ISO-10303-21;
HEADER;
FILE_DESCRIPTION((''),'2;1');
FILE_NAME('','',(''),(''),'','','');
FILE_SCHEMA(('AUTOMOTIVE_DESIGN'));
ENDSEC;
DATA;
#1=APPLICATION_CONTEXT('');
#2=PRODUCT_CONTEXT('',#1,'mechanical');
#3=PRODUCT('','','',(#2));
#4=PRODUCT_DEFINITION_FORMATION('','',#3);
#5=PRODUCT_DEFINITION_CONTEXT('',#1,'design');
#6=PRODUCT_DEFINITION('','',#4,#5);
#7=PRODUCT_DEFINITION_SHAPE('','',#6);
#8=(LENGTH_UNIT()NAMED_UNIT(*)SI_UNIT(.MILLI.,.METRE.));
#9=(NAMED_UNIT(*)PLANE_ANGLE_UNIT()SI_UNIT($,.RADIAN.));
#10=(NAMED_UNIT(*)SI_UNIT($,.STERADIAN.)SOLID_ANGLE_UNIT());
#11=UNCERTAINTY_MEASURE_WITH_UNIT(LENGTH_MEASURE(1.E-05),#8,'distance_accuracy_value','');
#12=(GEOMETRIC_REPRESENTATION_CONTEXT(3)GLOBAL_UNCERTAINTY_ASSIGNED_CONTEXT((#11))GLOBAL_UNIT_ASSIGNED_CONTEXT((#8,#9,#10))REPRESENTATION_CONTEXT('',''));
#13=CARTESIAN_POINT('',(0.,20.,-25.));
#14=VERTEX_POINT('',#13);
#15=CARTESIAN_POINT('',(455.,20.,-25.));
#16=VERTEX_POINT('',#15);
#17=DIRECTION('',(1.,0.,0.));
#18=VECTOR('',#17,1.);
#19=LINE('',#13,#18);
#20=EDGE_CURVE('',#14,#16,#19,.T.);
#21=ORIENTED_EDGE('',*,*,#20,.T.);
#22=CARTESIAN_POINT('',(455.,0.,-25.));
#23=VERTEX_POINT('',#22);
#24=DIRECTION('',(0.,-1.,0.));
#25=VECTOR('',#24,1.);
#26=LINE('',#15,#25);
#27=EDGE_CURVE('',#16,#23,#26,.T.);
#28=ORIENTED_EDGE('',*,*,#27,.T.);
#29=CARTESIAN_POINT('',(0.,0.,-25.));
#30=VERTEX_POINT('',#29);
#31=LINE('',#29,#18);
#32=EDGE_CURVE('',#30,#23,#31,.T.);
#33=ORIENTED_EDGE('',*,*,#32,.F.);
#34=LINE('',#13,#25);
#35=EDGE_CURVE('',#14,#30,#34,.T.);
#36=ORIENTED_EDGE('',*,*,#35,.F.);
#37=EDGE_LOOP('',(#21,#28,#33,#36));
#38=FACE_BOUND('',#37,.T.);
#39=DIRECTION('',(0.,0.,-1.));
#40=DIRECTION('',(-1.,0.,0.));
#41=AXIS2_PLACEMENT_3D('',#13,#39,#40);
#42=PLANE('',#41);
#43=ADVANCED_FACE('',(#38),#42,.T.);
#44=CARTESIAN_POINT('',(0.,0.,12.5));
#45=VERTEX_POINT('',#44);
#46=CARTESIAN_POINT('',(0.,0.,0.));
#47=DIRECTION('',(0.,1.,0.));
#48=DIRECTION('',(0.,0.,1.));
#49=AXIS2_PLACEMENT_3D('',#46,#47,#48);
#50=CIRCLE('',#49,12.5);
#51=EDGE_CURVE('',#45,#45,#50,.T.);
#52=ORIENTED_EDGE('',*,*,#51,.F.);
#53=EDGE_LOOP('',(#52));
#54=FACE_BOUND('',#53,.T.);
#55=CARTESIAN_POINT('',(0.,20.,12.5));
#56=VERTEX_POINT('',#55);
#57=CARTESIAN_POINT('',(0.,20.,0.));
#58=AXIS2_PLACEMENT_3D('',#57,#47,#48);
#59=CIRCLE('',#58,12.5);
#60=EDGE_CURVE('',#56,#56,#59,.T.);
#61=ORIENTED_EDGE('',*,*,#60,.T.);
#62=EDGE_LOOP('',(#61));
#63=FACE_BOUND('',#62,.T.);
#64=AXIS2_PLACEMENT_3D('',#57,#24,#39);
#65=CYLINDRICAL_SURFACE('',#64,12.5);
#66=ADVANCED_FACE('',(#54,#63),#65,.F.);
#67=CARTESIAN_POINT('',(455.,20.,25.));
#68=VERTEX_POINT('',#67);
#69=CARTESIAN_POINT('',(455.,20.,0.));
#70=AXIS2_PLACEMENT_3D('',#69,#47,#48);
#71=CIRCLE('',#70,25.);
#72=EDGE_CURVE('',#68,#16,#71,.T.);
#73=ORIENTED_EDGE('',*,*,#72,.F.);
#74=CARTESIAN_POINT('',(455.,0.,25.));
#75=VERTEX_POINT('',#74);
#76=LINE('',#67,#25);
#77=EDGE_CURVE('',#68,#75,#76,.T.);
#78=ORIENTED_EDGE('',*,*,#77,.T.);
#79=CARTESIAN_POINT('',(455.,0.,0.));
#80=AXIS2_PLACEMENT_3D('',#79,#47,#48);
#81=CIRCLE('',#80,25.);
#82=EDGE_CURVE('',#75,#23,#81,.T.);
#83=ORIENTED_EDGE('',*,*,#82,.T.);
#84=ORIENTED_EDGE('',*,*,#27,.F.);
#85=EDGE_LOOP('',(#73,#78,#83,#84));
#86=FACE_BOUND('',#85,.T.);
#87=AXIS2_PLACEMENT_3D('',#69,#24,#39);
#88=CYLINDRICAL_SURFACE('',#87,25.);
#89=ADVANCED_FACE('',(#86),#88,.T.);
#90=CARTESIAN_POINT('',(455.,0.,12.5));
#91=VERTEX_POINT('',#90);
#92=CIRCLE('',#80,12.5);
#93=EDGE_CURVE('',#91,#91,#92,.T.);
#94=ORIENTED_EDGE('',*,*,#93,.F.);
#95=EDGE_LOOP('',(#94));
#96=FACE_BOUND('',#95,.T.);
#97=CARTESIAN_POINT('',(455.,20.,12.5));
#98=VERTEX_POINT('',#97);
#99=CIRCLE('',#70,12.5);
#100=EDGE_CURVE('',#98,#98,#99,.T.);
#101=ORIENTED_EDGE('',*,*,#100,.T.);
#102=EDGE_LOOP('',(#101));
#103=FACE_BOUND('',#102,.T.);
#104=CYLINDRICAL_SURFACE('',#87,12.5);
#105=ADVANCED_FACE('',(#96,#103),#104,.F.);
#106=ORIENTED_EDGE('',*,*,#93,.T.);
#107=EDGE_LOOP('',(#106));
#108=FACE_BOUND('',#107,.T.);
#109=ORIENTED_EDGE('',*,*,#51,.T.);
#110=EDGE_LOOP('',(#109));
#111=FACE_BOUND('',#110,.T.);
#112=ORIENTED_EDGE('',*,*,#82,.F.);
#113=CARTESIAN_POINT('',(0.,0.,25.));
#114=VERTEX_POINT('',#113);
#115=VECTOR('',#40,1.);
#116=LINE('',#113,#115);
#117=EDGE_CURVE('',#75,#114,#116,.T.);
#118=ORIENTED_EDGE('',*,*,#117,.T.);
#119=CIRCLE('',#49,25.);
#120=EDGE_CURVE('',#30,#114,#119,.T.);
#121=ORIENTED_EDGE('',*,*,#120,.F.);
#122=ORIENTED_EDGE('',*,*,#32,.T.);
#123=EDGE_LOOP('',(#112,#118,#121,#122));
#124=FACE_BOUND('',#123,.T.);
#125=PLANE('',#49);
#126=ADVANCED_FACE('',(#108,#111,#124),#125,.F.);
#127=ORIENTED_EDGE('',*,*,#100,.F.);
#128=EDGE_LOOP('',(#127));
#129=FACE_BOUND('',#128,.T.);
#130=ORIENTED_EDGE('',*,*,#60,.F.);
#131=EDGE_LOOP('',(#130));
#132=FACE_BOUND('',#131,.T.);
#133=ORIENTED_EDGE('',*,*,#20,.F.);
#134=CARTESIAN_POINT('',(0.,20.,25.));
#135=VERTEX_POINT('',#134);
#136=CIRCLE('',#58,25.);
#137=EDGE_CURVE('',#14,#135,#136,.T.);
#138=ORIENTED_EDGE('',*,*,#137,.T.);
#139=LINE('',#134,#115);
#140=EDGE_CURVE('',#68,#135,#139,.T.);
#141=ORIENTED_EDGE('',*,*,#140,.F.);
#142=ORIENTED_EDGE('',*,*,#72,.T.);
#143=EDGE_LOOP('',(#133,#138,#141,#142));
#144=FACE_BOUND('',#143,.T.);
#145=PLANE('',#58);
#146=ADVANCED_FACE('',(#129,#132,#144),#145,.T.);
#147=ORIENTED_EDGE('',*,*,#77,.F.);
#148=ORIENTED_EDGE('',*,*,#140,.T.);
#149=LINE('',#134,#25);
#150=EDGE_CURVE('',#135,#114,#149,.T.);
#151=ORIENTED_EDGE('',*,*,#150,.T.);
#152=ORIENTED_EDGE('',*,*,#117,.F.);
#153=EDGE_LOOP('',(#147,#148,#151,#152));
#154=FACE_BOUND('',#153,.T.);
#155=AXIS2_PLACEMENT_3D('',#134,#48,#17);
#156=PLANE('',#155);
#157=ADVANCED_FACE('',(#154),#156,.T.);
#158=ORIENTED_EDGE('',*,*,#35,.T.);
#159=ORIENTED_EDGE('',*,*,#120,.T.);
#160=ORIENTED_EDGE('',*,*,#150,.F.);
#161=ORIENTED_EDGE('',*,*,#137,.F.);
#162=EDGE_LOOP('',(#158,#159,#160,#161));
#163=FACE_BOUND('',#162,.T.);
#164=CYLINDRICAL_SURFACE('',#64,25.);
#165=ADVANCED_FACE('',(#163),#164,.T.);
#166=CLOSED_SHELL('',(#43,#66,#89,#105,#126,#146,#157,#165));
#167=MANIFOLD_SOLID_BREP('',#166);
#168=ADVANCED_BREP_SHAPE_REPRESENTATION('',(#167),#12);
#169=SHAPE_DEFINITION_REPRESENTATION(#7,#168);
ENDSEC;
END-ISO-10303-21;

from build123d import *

# Parameters (mm, degrees)
CROQUIS1_R              = 12.5
SALIENTE_EXTRUIR1_DEPTH = 20


with BuildPart() as part:
    # Croquis1 → Saliente-Extruir1 (new body)
    with BuildSketch(Plane(origin=(0, 0, 0), x_dir=(1, 0, 0), z_dir=(0, 1, 0))):
        with BuildLine():
            ThreePointArc((0, 25), (-25, 0), (0, -25))
            Line((0, -25), (455, -25))
            ThreePointArc((455, -25), (480, 0), (455, 25))
            Line((455, 25), (0, 25))
        make_face()
        with Locations(Location((0, 0, 0), (0, 0, 270))):
            Circle(CROQUIS1_R, mode=Mode.SUBTRACT)
        with Locations(Location((455, 0, 0), (0, 0, 270))):
            Circle(CROQUIS1_R, mode=Mode.SUBTRACT)
    extrude(amount=SALIENTE_EXTRUIR1_DEPTH)


solid = part.part
